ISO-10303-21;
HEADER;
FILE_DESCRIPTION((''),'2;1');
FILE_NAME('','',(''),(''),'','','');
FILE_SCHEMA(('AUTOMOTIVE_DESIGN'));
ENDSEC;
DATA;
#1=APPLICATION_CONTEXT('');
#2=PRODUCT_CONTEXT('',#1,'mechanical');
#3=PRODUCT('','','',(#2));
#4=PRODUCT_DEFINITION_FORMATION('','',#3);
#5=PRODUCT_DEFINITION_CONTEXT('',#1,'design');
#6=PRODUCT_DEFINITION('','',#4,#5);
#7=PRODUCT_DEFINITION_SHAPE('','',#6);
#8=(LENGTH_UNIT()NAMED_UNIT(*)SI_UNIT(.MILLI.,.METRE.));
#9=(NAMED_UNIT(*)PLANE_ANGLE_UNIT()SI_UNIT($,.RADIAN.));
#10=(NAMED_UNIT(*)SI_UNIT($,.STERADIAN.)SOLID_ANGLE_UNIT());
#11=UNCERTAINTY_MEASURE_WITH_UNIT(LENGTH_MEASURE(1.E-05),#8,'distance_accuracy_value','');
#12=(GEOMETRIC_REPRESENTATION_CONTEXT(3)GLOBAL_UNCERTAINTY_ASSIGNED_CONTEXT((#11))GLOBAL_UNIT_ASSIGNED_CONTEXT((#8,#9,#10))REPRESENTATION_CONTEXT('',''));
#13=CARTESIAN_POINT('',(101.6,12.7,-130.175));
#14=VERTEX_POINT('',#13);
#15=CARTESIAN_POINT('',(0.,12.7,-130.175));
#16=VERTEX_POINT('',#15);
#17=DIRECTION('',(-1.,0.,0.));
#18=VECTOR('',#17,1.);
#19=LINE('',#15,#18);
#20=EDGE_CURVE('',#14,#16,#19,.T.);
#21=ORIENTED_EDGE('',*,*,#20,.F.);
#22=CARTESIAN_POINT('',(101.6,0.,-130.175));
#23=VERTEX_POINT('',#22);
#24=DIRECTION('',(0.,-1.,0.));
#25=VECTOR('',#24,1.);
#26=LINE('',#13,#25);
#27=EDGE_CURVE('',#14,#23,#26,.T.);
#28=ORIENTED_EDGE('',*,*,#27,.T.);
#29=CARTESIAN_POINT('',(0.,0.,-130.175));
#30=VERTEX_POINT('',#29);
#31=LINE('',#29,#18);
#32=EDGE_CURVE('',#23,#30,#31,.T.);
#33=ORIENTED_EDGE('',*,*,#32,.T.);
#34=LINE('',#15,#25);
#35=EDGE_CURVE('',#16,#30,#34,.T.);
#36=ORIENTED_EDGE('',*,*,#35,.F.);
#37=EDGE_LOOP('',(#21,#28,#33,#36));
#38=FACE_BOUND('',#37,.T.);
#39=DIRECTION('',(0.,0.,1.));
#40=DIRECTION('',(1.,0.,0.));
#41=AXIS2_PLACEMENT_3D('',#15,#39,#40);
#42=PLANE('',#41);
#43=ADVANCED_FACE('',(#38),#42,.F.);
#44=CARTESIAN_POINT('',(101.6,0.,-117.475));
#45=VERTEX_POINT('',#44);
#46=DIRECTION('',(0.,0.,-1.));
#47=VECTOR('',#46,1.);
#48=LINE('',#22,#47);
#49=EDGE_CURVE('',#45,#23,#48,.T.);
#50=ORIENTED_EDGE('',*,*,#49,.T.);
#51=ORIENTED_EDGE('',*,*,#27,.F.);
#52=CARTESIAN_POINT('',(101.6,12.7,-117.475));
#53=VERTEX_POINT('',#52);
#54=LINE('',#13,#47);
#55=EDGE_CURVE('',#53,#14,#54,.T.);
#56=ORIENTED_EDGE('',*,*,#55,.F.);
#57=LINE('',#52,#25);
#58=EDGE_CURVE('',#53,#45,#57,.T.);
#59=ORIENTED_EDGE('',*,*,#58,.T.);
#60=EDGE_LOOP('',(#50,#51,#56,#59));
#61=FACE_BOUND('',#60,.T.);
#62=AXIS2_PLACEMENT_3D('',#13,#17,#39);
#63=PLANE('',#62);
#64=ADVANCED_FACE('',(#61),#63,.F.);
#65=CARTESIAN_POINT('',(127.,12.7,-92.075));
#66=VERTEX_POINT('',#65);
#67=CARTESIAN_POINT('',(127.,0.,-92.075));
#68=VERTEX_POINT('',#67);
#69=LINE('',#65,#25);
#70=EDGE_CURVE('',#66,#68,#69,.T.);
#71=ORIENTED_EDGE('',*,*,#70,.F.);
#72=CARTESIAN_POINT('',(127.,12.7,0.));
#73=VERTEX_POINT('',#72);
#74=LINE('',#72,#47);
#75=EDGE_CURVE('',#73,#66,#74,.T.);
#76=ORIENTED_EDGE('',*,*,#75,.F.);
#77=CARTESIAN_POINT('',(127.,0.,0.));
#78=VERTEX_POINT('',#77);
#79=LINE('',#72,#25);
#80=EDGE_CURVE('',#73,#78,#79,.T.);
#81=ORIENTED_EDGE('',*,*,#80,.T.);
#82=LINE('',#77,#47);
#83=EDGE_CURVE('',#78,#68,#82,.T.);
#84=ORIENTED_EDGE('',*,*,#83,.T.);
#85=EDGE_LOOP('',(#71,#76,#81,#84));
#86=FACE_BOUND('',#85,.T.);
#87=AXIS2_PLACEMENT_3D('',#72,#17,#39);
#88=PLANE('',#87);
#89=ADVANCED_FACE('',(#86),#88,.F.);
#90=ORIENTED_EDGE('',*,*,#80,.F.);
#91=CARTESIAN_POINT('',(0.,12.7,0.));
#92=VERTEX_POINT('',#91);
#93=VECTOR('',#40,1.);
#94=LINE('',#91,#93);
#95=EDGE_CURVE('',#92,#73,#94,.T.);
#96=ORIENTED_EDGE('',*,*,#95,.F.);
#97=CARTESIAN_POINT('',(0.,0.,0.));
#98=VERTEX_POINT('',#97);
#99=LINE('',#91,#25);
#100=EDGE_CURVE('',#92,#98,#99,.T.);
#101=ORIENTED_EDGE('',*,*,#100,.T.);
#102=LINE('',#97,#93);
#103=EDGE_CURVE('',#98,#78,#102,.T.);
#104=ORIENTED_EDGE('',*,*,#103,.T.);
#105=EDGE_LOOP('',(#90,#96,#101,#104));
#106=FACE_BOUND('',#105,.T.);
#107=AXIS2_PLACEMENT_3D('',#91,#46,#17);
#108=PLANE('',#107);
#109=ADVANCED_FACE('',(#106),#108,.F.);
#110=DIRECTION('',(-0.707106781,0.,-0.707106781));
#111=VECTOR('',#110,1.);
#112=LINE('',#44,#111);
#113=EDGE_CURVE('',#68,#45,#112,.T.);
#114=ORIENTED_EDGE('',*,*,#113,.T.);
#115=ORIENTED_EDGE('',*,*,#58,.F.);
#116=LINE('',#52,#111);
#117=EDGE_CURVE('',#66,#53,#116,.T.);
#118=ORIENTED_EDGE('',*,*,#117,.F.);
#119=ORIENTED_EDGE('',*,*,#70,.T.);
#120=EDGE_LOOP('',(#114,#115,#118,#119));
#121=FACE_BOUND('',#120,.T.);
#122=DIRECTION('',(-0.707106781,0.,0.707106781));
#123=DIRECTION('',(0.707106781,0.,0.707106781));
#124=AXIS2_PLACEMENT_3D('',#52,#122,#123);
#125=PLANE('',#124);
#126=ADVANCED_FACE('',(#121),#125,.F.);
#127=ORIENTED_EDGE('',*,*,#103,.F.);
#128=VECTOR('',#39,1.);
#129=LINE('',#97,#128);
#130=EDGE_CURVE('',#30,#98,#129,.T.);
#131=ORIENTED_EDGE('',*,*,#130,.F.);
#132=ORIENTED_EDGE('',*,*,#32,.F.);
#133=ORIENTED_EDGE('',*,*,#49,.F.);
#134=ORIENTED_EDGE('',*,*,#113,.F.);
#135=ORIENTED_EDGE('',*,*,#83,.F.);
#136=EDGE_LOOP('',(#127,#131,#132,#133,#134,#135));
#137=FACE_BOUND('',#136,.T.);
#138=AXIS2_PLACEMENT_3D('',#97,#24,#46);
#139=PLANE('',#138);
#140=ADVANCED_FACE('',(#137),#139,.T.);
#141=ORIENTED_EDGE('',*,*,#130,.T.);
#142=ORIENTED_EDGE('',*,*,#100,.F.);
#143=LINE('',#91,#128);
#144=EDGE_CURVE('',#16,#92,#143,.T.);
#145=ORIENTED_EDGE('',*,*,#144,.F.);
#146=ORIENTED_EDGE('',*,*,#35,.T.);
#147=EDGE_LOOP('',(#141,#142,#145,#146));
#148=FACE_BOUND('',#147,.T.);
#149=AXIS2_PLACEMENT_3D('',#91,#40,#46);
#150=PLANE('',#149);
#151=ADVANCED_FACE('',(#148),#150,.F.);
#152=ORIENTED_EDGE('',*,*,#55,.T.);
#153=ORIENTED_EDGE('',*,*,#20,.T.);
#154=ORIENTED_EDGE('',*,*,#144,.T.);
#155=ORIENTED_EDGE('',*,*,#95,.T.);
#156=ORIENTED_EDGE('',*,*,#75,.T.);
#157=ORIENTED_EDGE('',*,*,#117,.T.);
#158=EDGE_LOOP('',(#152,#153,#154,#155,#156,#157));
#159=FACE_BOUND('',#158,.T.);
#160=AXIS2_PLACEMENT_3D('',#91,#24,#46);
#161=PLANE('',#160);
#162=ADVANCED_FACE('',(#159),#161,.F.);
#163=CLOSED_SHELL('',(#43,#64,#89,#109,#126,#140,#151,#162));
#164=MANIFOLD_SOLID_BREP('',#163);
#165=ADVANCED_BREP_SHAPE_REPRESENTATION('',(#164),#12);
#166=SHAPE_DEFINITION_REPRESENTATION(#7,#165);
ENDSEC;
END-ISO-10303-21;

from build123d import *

# Parameters (mm, degrees)
BOSS_EXTRUDE1_DEPTH = 12.7


with BuildPart() as part:
    # Sketch1 → Boss-Extrude1 (new body)
    with BuildSketch(Plane(origin=(0, 0, 0), x_dir=(1, 0, 0), z_dir=(0, 1, 0))):
        Polygon((0, 0), (127, 0), (127, 92.075), (101.6, 117.475), (101.6, 130.175), (0, 130.175), align=None)
    extrude(amount=BOSS_EXTRUDE1_DEPTH)


solid = part.part
